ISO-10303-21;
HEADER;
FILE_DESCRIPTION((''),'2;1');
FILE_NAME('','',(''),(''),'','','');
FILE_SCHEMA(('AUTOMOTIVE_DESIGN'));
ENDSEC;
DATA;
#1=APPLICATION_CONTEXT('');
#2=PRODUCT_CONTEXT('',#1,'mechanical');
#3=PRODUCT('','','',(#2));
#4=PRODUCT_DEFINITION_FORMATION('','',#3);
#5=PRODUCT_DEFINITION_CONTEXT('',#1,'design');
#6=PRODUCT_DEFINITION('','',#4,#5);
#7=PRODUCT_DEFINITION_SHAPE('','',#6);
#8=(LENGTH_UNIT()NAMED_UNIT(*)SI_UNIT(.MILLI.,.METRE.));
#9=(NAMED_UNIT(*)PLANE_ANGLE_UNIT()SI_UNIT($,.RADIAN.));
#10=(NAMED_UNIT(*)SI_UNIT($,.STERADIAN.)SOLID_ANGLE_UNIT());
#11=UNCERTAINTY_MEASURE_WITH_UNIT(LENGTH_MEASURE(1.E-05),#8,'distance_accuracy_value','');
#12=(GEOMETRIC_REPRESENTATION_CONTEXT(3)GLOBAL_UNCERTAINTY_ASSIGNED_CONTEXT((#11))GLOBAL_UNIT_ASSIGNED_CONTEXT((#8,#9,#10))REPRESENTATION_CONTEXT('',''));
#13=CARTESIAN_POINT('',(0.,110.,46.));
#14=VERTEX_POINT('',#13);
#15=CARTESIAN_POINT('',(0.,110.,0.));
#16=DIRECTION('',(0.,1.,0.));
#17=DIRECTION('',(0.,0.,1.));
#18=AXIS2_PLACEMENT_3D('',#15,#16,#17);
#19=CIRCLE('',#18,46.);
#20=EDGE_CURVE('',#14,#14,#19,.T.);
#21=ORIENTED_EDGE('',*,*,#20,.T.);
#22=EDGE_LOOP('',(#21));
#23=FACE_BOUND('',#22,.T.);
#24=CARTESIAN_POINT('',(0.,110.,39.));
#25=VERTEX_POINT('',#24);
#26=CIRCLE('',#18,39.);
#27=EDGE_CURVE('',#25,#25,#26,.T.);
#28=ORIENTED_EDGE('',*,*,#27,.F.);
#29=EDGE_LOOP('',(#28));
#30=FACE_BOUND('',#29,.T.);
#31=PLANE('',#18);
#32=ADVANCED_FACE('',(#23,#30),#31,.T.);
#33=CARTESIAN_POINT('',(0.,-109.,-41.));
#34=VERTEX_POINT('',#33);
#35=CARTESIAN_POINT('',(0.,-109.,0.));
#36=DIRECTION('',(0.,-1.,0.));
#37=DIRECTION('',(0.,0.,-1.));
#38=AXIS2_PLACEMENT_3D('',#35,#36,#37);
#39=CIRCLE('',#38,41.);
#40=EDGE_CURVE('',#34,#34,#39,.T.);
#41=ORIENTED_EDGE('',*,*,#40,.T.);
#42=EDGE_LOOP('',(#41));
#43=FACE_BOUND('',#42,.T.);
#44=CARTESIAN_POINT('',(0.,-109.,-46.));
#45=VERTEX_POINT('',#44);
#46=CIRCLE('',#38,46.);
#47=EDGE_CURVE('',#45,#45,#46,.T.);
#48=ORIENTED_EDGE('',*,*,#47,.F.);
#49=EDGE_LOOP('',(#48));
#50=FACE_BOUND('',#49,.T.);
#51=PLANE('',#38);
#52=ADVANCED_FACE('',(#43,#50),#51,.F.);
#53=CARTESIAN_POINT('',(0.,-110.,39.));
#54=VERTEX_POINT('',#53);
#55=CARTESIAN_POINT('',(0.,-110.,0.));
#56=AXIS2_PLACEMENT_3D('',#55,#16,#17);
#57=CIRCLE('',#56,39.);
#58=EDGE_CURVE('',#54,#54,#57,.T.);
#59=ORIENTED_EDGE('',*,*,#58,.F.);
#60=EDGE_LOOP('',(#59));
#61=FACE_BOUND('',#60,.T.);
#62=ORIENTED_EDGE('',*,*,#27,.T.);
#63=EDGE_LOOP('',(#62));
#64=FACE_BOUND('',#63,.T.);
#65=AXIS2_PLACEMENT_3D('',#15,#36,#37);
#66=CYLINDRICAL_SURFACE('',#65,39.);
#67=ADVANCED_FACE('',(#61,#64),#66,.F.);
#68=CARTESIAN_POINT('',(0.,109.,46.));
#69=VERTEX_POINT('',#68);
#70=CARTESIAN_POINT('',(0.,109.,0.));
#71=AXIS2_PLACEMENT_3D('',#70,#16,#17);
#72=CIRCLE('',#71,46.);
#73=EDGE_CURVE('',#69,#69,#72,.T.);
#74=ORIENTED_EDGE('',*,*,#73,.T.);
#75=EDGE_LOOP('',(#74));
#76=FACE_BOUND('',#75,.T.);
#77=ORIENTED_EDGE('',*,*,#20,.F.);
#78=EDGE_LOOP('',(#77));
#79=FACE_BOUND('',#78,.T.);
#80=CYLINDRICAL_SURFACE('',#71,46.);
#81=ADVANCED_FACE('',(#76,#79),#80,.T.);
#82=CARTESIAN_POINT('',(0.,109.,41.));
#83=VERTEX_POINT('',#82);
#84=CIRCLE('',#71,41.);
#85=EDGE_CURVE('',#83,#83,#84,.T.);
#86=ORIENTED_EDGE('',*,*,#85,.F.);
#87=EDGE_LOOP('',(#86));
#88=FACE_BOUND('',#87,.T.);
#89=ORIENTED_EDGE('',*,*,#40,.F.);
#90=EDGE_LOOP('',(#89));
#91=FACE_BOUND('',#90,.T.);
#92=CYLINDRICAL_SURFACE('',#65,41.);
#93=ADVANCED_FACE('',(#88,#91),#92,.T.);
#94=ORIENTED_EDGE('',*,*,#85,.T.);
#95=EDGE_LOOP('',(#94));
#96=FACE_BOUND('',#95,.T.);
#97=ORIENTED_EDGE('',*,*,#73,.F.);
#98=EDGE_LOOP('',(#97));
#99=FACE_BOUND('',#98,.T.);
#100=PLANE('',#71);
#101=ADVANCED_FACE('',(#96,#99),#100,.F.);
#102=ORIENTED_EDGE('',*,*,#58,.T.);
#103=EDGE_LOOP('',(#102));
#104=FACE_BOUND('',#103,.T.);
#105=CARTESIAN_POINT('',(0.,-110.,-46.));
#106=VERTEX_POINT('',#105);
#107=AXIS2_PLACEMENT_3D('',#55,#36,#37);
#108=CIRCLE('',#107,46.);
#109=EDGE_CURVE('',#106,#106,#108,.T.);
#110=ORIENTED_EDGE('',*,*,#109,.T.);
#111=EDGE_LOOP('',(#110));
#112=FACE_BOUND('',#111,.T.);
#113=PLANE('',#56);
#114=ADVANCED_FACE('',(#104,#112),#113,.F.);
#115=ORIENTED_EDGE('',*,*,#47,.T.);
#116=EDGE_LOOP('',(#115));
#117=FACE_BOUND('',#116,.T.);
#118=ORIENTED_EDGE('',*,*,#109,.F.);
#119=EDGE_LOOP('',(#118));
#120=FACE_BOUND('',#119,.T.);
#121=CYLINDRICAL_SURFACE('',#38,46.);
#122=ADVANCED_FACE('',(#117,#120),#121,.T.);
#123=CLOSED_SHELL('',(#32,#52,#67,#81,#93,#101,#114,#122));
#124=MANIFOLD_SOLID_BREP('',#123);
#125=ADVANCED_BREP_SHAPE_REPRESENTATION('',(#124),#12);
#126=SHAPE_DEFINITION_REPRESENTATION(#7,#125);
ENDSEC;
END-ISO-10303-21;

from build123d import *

# Parameters (mm, degrees)
SCHIZZO1_R                   = 41
SCHIZZO1_R_2                 = 39
ESTRUSIONE_SOTTILE1_DEPTH    = 110
SCHIZZO2_R                   = 46
SCHIZZO2_R_2                 = 41
ESTRUSIONE_ESTRUSIONE1_DEPTH = 1
ESTRUSIONE_ESTRUSIONE2_START = -1
SCHIZZO3_R                   = 46
SCHIZZO3_R_2                 = 41
ESTRUSIONE_ESTRUSIONE2_DEPTH = 1


with BuildPart() as part:
    # Schizzo1 → Estrusione-Sottile1 (new, symmetric)
    with BuildSketch(Plane(origin=(0, 0, 0), x_dir=(1, 0, 0), z_dir=(0, 1, 0))):
        Circle(SCHIZZO1_R)
        Circle(SCHIZZO1_R_2, mode=Mode.SUBTRACT)
    extrude(amount=ESTRUSIONE_SOTTILE1_DEPTH, both=True)

    # Schizzo2 → Estrusione-Estrusione1 (add)
    with BuildSketch(Plane(origin=(0, 110, 0), x_dir=(1, 0, 0), z_dir=(0, 1, 0))):
        with Locations(Location((0, 0, 0), (0, 0, 270))):
            Circle(SCHIZZO2_R)
        Circle(SCHIZZO2_R_2, mode=Mode.SUBTRACT)
    extrude(amount=-ESTRUSIONE_ESTRUSIONE1_DEPTH)

    # Schizzo3 → Estrusione-Estrusione2 (add)
    with BuildSketch(Plane.XZ.offset(110).offset(ESTRUSIONE_ESTRUSIONE2_START)):
        with Locations(Location((0, 0, 0), (0, 0, 90))):
            Circle(SCHIZZO3_R)
        with Locations(Location((0, 0, 0), (0, 0, 270))):
            Circle(SCHIZZO3_R_2, mode=Mode.SUBTRACT)
    extrude(amount=ESTRUSIONE_ESTRUSIONE2_DEPTH)


solid = part.part
